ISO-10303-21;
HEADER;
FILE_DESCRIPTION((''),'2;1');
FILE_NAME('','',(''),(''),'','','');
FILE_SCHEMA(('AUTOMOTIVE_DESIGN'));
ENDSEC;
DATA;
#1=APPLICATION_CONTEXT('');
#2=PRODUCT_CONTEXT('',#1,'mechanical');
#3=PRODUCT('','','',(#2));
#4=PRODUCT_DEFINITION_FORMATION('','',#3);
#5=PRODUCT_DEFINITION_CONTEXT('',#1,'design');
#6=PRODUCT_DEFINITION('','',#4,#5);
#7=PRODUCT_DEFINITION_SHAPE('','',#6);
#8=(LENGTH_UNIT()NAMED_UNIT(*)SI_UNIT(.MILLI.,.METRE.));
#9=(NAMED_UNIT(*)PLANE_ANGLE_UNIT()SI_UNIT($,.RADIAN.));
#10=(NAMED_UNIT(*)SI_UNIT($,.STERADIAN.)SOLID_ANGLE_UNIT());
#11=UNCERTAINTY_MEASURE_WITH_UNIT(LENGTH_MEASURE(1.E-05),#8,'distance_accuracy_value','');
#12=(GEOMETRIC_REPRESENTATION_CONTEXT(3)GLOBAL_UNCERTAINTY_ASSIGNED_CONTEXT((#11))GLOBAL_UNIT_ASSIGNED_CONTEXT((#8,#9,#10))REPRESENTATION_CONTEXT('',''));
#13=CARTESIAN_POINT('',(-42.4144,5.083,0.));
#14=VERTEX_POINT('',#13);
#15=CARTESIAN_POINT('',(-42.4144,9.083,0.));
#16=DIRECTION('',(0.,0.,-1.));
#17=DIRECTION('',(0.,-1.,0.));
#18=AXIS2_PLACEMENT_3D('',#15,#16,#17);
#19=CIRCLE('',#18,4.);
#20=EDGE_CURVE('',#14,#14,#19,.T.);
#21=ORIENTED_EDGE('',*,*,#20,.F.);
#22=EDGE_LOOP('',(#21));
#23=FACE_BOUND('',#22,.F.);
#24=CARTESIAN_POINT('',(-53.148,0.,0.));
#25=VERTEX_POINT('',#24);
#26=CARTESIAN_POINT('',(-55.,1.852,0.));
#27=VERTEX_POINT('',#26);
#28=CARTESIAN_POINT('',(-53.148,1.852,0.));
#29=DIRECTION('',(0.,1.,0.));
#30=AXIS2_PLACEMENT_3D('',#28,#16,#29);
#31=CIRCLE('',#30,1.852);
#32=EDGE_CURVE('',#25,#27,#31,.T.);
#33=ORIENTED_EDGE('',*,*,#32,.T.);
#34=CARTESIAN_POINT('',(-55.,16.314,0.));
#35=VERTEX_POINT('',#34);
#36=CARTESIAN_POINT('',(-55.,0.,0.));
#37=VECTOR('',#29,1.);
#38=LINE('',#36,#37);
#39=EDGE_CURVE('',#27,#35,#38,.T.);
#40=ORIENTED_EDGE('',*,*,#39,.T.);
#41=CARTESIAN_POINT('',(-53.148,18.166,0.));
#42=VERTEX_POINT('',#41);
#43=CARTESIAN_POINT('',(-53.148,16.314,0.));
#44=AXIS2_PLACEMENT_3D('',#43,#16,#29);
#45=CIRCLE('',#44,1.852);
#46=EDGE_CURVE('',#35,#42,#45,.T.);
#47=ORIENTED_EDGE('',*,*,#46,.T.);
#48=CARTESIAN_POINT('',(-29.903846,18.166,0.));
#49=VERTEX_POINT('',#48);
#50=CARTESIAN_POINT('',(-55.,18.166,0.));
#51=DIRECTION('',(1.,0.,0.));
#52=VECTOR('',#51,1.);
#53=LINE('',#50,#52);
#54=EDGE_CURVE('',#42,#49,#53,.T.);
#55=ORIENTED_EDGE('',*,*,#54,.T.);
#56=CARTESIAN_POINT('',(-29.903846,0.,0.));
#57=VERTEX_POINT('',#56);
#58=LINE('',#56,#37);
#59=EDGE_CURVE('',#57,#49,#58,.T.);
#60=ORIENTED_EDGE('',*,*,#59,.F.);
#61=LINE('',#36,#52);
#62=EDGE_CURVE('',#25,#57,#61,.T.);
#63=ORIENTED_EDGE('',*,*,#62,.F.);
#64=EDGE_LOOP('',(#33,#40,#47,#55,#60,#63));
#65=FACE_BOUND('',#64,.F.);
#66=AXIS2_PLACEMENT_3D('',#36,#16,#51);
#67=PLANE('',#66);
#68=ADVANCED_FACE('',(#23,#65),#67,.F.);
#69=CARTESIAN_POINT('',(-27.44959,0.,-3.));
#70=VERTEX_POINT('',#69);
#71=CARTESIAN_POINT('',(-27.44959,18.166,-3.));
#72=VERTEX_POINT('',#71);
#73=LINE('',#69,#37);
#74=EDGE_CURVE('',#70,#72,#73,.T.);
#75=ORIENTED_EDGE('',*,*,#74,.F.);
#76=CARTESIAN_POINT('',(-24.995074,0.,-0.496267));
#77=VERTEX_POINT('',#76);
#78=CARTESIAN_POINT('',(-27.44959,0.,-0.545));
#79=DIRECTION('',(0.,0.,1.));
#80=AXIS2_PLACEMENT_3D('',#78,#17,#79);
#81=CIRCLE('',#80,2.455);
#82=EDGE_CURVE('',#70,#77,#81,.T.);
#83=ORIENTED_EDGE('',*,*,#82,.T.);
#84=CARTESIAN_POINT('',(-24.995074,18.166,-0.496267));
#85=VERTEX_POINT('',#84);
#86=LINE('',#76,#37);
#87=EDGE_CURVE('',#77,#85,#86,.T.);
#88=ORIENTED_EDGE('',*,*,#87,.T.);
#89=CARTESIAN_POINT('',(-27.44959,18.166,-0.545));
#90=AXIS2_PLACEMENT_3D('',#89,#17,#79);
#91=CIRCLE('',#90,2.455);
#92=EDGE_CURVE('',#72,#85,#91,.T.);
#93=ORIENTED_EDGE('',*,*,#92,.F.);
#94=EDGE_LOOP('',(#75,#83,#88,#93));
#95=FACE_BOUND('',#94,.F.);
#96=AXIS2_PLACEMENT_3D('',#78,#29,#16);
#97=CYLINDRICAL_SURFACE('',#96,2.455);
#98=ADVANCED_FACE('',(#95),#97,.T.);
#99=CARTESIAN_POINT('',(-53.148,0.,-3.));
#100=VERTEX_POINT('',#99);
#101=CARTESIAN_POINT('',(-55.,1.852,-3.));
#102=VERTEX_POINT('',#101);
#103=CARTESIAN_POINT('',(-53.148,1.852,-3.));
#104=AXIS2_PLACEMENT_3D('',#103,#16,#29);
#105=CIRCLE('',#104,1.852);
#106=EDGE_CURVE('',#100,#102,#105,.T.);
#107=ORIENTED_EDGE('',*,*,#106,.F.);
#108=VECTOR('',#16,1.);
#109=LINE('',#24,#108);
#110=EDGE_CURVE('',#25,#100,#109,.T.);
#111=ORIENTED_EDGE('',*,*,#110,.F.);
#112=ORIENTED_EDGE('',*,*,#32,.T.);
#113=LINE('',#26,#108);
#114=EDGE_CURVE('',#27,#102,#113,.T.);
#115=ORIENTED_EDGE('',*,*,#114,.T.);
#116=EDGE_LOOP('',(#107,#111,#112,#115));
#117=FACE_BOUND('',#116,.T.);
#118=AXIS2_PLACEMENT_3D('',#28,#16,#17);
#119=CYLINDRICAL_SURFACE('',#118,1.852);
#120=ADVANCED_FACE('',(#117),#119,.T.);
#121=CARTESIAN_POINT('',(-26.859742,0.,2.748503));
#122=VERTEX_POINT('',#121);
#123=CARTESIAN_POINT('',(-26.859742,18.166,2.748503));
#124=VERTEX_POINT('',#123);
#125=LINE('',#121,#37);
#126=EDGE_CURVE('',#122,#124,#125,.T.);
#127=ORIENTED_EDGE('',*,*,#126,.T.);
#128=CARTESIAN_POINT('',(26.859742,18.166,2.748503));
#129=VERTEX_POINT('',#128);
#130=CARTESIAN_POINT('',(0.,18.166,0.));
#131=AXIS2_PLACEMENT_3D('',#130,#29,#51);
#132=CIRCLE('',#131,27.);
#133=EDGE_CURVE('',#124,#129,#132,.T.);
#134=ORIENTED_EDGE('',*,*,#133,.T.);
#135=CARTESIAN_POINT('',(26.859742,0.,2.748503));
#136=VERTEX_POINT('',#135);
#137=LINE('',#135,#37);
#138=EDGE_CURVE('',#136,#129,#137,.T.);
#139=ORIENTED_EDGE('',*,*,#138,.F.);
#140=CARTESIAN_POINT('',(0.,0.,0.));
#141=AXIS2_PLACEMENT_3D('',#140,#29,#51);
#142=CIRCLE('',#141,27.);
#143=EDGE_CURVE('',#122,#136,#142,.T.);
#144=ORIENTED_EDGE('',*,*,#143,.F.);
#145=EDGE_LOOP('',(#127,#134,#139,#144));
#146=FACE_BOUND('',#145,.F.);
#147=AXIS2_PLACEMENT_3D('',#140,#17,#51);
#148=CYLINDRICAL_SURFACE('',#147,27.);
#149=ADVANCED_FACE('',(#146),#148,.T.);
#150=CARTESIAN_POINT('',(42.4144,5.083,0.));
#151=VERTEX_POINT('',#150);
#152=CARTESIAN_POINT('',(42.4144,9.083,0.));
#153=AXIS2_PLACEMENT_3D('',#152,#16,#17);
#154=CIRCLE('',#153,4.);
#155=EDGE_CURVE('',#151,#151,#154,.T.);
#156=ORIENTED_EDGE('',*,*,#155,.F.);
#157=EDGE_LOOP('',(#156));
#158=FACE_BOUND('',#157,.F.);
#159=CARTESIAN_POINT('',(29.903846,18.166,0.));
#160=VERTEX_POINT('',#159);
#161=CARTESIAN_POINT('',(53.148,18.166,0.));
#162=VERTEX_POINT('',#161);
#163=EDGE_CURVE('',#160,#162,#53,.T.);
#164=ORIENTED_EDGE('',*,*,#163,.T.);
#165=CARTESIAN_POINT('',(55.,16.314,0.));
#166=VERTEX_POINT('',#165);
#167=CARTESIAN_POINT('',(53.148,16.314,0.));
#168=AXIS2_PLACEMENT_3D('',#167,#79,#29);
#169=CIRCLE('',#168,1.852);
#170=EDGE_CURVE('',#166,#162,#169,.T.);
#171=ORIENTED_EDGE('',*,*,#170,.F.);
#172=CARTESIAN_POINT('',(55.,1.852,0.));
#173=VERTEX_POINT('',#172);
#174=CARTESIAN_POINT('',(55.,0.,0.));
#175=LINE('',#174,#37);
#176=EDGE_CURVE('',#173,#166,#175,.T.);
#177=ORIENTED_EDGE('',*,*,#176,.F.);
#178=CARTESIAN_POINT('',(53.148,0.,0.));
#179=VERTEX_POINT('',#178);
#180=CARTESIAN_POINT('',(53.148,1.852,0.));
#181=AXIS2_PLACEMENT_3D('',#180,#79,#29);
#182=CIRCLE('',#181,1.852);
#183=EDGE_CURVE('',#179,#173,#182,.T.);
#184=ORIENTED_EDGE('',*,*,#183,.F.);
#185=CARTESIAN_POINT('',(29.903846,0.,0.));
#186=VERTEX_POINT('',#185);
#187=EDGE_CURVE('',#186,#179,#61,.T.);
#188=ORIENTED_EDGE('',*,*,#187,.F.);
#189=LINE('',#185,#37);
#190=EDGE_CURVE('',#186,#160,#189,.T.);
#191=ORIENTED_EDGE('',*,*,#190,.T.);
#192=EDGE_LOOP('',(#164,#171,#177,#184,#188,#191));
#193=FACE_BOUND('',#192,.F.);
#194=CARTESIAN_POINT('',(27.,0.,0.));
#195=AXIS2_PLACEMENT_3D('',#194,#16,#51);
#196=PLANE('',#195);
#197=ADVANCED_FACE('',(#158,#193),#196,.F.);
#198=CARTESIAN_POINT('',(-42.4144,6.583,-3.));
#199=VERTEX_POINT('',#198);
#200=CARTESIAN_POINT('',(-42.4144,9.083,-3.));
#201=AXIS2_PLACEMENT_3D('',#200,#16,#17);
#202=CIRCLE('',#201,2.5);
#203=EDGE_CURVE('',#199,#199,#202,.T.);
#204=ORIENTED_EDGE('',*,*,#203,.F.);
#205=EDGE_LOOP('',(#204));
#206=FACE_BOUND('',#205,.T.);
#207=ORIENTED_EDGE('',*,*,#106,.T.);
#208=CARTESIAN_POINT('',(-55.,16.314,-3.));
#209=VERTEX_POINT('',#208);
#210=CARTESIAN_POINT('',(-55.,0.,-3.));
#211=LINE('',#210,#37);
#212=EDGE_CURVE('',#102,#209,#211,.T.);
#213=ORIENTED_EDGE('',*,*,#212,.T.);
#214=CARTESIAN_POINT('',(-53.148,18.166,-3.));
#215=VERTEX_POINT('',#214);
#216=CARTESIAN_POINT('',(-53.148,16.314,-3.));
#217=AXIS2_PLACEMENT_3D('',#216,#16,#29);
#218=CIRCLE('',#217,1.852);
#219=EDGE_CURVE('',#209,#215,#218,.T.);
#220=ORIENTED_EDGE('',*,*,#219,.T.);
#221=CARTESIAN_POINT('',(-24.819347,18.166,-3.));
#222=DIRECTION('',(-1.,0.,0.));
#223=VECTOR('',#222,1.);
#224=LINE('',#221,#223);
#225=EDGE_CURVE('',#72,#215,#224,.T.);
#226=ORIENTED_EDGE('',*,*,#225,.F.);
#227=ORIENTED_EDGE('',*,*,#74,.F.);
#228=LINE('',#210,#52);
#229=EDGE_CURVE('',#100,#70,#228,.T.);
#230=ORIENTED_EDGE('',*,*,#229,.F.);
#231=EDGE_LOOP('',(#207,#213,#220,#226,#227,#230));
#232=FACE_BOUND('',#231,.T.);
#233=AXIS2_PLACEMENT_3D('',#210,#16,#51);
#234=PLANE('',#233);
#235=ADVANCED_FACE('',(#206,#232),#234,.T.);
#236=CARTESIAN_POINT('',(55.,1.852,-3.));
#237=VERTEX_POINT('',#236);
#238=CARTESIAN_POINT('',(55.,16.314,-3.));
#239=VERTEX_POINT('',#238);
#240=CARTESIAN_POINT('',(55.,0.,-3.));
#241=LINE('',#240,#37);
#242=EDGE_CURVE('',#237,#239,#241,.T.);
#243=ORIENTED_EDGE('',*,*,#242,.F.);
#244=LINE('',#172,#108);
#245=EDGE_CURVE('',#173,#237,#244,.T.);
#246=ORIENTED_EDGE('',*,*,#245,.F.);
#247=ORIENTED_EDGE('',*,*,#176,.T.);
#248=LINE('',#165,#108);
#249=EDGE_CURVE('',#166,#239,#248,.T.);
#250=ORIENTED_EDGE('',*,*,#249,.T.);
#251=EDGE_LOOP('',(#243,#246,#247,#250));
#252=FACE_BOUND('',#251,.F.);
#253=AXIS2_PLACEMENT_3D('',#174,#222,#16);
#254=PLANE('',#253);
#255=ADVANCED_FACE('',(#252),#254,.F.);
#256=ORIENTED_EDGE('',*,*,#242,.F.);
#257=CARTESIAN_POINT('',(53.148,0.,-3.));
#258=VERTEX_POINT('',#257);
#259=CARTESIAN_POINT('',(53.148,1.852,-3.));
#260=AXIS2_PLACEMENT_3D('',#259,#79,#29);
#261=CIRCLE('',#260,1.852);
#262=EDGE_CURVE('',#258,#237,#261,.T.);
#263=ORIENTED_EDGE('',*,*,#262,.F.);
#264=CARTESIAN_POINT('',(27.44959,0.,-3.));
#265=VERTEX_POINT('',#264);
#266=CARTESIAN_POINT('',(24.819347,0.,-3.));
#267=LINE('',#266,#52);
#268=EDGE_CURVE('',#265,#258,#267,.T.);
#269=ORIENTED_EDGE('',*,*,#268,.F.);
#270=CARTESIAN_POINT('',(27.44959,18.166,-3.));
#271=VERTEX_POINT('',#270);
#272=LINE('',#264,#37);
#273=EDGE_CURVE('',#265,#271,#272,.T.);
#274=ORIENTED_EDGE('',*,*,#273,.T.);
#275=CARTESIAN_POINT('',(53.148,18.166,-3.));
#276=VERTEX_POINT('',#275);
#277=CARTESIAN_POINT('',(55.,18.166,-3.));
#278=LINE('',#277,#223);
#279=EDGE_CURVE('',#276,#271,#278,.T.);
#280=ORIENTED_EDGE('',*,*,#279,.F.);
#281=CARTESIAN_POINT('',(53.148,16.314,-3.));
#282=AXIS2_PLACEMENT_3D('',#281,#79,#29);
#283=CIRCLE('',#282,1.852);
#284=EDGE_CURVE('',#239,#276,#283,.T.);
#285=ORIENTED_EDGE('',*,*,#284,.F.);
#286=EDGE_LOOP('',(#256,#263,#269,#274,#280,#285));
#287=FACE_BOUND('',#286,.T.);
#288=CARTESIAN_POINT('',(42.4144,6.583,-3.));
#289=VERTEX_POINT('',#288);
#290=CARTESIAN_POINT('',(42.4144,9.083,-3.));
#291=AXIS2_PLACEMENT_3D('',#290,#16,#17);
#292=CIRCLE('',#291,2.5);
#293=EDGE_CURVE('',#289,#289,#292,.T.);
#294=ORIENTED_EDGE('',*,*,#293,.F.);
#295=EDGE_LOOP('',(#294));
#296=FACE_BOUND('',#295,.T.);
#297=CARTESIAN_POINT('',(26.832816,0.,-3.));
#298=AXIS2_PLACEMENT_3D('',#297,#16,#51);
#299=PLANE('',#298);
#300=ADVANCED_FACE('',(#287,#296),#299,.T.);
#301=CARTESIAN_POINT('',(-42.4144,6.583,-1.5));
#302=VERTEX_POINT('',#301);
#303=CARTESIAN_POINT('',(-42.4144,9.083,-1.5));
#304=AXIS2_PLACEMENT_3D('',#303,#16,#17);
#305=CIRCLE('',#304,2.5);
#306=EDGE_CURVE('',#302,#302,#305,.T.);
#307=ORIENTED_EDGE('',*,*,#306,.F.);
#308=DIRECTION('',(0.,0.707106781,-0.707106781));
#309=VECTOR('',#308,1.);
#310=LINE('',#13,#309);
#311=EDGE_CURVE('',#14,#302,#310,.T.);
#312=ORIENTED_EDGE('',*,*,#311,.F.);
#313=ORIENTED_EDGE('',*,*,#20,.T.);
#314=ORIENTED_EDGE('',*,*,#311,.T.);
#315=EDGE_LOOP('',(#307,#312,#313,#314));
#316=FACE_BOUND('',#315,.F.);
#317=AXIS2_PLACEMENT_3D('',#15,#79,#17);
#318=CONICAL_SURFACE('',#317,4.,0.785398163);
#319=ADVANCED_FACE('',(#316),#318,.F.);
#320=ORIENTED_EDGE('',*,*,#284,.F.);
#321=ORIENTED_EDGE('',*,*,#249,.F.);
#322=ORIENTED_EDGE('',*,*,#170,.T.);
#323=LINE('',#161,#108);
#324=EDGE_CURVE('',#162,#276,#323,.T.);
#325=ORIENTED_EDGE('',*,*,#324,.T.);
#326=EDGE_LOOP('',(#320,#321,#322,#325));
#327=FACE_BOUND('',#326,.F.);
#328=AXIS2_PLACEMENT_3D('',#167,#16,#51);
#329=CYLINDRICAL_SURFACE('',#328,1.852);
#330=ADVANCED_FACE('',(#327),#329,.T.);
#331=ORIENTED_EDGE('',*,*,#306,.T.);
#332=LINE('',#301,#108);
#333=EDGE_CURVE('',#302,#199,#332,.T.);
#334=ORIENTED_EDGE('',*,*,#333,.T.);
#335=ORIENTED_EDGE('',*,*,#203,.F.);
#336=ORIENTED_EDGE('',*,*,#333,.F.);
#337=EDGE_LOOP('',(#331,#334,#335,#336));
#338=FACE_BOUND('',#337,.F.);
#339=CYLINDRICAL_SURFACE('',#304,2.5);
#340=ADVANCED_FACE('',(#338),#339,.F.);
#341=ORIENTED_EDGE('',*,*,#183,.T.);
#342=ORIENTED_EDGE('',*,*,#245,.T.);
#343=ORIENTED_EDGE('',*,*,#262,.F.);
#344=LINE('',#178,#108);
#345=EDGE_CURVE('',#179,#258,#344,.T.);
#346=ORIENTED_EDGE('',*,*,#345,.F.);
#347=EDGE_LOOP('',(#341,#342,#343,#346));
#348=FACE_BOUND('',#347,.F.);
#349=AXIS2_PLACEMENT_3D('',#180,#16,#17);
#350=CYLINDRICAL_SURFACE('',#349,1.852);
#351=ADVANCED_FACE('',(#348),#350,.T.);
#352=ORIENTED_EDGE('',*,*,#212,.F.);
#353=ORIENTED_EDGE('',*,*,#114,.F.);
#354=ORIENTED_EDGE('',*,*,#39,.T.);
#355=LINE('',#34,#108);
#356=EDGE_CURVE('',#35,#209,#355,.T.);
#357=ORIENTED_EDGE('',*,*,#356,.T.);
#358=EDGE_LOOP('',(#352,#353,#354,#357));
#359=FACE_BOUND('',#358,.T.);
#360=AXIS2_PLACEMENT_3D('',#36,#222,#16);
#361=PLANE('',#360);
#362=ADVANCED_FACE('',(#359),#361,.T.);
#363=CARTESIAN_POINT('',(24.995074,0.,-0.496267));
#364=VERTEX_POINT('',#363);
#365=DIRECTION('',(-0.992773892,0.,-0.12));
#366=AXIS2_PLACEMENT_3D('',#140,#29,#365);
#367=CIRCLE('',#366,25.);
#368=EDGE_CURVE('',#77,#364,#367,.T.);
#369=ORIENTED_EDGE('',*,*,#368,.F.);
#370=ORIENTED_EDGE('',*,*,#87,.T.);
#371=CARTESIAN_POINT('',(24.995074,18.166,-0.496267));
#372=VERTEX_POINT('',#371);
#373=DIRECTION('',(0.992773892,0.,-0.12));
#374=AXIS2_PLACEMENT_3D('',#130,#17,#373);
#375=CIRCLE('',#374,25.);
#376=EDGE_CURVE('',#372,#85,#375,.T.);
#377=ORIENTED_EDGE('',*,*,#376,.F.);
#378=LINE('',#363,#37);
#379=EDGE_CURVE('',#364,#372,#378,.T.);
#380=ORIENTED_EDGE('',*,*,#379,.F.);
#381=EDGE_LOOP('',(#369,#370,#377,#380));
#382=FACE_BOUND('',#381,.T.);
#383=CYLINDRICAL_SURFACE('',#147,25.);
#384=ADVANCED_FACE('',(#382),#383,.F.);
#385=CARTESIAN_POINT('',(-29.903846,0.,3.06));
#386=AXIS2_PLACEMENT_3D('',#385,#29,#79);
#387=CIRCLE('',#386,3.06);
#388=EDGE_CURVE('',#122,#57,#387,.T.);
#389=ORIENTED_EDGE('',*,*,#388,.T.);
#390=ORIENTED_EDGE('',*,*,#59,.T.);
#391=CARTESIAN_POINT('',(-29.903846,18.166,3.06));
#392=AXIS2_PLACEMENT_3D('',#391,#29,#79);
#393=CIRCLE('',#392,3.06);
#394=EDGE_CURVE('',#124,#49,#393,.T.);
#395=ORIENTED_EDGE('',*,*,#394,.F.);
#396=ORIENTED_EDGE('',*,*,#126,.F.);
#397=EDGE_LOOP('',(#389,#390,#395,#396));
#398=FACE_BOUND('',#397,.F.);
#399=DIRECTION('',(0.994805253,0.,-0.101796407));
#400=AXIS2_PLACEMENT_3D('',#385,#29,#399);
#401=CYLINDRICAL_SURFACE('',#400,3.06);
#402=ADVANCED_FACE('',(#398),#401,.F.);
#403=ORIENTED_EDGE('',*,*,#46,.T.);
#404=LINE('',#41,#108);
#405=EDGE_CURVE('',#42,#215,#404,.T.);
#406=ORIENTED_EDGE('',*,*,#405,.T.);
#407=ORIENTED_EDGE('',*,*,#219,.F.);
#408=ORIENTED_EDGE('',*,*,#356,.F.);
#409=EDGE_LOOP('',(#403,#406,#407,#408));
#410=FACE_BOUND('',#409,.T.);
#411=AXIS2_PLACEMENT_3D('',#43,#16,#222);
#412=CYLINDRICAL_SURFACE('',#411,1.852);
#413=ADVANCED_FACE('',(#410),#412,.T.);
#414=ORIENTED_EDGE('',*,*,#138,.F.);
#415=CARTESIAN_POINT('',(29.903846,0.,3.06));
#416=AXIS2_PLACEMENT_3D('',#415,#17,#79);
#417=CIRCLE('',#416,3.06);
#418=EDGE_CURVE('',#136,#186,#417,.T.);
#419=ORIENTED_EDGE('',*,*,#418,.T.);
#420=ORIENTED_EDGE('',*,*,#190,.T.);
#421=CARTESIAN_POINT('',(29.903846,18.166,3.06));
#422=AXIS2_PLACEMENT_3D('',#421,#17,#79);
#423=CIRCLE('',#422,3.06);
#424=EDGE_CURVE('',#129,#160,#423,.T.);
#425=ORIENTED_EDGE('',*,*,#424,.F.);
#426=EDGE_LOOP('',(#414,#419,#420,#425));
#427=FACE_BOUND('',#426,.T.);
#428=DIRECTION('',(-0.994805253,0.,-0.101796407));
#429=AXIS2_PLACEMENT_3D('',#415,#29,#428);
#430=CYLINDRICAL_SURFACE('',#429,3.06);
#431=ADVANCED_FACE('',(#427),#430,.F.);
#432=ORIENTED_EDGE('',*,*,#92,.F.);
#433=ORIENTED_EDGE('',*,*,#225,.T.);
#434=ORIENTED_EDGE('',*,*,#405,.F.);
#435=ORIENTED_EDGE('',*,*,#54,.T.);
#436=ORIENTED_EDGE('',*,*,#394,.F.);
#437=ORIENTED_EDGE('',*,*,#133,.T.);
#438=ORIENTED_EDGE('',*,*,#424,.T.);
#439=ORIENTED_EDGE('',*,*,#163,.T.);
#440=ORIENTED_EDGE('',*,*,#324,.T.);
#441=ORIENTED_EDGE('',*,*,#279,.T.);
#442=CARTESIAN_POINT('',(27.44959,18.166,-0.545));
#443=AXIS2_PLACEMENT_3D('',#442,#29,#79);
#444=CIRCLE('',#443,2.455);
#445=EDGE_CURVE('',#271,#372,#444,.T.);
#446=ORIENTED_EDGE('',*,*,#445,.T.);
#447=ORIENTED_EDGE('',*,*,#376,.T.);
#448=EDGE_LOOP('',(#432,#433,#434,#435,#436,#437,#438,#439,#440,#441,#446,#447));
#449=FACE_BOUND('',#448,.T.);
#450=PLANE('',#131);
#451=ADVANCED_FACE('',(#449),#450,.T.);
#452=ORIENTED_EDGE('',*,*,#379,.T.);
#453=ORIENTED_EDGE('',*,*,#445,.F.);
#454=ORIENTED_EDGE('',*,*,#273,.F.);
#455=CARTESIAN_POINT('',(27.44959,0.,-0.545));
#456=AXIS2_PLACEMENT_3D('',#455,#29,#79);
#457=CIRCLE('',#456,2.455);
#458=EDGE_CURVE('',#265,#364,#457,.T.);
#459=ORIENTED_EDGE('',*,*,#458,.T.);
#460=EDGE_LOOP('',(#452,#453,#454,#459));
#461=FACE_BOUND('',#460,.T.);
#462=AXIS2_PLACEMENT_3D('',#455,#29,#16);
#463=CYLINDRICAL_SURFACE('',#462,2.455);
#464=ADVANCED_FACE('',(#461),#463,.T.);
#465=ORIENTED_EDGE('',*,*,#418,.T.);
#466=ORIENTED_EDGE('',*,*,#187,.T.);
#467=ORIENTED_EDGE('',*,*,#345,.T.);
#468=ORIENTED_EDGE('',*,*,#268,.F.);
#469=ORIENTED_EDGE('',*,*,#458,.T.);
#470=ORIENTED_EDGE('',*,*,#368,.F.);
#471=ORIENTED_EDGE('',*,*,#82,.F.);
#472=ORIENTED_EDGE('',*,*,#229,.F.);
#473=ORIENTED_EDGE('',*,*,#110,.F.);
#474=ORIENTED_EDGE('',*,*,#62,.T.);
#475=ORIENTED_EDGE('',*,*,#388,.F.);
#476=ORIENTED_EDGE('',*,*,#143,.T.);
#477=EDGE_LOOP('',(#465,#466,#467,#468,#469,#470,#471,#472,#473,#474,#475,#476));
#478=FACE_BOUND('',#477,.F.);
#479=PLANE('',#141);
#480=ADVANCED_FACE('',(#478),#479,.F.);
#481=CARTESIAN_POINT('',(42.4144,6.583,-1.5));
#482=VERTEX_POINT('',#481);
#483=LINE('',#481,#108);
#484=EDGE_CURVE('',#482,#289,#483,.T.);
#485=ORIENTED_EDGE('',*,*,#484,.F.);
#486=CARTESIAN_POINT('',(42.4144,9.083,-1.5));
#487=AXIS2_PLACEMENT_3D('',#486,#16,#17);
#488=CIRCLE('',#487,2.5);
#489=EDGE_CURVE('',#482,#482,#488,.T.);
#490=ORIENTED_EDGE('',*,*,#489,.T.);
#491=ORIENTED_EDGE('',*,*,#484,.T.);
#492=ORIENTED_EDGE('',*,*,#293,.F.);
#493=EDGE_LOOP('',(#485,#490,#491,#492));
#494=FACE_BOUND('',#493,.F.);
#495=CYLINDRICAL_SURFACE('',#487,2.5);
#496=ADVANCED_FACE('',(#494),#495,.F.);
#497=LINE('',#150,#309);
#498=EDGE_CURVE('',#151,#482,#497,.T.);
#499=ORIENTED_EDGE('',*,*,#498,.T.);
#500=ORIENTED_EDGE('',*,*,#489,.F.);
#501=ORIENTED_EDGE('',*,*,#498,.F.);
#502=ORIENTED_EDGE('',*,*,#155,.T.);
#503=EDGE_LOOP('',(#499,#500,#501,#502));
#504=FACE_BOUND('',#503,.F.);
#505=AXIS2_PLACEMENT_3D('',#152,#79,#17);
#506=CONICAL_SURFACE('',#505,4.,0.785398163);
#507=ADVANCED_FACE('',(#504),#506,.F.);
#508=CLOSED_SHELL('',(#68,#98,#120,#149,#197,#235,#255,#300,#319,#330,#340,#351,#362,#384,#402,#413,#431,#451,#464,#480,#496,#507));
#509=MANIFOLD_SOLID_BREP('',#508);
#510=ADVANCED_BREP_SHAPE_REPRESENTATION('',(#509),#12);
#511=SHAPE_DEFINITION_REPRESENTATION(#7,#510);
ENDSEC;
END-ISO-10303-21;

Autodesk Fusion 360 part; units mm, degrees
sketch "Sketch1" plane through (0, 0, 0) normal (0, 0, 1) x (1, 0, 0)
sketch "Sketch2" plane through (0, 0, 0) normal (0, 1, 0) x (1, 0, 0)
  circle A0 centre (0, 0) radius 25
  circle A1 centre (0, 0) radius 27
  line L0 (-55, 0) -> (55, 0)
  line L1 (-55, 0) -> (-55, 3)
  line L2 (-55, 3) -> (55, 3)
  line L3 (55, 0) -> (55, 3)
  dimension "d1" = 50
  dimension "d2" = 2
extrude "Extrude1" add sketch "Sketch2" along normal blind 18.166 contours A0 A1 L0 | A0 A1 L0 L2 | A0 A1 L0 L2 | A1 L0 L2 L3 | A1 L0 L1 L2
fillet "Fillet1" radius 3.06 2 edges at (-27, 9.083, 0) (27, 9.083, 0)
fillet "Fillet2" radius 2.455 2 edges at (-24.8193, 9.083, -3) (24.8193, 9.083, -3)
fillet "Fillet3" radius 1.852 4 edges at (-55, 0, -1.5) (-55, 18.166, -1.5) (55, 0, -1.5) (55, 18.166, -1.5)
hole "Hole1" at (42.4144, 9.083, 0) direction (0, 0, -1) diameter 5 depth 7 tip angle 118 countersink diameter 8 countersink angle 90
hole "Hole2" at (-42.4144, 9.083, 0) direction (0, 0, -1) diameter 5 depth 7 tip angle 118 countersink diameter 8 countersink angle 90
